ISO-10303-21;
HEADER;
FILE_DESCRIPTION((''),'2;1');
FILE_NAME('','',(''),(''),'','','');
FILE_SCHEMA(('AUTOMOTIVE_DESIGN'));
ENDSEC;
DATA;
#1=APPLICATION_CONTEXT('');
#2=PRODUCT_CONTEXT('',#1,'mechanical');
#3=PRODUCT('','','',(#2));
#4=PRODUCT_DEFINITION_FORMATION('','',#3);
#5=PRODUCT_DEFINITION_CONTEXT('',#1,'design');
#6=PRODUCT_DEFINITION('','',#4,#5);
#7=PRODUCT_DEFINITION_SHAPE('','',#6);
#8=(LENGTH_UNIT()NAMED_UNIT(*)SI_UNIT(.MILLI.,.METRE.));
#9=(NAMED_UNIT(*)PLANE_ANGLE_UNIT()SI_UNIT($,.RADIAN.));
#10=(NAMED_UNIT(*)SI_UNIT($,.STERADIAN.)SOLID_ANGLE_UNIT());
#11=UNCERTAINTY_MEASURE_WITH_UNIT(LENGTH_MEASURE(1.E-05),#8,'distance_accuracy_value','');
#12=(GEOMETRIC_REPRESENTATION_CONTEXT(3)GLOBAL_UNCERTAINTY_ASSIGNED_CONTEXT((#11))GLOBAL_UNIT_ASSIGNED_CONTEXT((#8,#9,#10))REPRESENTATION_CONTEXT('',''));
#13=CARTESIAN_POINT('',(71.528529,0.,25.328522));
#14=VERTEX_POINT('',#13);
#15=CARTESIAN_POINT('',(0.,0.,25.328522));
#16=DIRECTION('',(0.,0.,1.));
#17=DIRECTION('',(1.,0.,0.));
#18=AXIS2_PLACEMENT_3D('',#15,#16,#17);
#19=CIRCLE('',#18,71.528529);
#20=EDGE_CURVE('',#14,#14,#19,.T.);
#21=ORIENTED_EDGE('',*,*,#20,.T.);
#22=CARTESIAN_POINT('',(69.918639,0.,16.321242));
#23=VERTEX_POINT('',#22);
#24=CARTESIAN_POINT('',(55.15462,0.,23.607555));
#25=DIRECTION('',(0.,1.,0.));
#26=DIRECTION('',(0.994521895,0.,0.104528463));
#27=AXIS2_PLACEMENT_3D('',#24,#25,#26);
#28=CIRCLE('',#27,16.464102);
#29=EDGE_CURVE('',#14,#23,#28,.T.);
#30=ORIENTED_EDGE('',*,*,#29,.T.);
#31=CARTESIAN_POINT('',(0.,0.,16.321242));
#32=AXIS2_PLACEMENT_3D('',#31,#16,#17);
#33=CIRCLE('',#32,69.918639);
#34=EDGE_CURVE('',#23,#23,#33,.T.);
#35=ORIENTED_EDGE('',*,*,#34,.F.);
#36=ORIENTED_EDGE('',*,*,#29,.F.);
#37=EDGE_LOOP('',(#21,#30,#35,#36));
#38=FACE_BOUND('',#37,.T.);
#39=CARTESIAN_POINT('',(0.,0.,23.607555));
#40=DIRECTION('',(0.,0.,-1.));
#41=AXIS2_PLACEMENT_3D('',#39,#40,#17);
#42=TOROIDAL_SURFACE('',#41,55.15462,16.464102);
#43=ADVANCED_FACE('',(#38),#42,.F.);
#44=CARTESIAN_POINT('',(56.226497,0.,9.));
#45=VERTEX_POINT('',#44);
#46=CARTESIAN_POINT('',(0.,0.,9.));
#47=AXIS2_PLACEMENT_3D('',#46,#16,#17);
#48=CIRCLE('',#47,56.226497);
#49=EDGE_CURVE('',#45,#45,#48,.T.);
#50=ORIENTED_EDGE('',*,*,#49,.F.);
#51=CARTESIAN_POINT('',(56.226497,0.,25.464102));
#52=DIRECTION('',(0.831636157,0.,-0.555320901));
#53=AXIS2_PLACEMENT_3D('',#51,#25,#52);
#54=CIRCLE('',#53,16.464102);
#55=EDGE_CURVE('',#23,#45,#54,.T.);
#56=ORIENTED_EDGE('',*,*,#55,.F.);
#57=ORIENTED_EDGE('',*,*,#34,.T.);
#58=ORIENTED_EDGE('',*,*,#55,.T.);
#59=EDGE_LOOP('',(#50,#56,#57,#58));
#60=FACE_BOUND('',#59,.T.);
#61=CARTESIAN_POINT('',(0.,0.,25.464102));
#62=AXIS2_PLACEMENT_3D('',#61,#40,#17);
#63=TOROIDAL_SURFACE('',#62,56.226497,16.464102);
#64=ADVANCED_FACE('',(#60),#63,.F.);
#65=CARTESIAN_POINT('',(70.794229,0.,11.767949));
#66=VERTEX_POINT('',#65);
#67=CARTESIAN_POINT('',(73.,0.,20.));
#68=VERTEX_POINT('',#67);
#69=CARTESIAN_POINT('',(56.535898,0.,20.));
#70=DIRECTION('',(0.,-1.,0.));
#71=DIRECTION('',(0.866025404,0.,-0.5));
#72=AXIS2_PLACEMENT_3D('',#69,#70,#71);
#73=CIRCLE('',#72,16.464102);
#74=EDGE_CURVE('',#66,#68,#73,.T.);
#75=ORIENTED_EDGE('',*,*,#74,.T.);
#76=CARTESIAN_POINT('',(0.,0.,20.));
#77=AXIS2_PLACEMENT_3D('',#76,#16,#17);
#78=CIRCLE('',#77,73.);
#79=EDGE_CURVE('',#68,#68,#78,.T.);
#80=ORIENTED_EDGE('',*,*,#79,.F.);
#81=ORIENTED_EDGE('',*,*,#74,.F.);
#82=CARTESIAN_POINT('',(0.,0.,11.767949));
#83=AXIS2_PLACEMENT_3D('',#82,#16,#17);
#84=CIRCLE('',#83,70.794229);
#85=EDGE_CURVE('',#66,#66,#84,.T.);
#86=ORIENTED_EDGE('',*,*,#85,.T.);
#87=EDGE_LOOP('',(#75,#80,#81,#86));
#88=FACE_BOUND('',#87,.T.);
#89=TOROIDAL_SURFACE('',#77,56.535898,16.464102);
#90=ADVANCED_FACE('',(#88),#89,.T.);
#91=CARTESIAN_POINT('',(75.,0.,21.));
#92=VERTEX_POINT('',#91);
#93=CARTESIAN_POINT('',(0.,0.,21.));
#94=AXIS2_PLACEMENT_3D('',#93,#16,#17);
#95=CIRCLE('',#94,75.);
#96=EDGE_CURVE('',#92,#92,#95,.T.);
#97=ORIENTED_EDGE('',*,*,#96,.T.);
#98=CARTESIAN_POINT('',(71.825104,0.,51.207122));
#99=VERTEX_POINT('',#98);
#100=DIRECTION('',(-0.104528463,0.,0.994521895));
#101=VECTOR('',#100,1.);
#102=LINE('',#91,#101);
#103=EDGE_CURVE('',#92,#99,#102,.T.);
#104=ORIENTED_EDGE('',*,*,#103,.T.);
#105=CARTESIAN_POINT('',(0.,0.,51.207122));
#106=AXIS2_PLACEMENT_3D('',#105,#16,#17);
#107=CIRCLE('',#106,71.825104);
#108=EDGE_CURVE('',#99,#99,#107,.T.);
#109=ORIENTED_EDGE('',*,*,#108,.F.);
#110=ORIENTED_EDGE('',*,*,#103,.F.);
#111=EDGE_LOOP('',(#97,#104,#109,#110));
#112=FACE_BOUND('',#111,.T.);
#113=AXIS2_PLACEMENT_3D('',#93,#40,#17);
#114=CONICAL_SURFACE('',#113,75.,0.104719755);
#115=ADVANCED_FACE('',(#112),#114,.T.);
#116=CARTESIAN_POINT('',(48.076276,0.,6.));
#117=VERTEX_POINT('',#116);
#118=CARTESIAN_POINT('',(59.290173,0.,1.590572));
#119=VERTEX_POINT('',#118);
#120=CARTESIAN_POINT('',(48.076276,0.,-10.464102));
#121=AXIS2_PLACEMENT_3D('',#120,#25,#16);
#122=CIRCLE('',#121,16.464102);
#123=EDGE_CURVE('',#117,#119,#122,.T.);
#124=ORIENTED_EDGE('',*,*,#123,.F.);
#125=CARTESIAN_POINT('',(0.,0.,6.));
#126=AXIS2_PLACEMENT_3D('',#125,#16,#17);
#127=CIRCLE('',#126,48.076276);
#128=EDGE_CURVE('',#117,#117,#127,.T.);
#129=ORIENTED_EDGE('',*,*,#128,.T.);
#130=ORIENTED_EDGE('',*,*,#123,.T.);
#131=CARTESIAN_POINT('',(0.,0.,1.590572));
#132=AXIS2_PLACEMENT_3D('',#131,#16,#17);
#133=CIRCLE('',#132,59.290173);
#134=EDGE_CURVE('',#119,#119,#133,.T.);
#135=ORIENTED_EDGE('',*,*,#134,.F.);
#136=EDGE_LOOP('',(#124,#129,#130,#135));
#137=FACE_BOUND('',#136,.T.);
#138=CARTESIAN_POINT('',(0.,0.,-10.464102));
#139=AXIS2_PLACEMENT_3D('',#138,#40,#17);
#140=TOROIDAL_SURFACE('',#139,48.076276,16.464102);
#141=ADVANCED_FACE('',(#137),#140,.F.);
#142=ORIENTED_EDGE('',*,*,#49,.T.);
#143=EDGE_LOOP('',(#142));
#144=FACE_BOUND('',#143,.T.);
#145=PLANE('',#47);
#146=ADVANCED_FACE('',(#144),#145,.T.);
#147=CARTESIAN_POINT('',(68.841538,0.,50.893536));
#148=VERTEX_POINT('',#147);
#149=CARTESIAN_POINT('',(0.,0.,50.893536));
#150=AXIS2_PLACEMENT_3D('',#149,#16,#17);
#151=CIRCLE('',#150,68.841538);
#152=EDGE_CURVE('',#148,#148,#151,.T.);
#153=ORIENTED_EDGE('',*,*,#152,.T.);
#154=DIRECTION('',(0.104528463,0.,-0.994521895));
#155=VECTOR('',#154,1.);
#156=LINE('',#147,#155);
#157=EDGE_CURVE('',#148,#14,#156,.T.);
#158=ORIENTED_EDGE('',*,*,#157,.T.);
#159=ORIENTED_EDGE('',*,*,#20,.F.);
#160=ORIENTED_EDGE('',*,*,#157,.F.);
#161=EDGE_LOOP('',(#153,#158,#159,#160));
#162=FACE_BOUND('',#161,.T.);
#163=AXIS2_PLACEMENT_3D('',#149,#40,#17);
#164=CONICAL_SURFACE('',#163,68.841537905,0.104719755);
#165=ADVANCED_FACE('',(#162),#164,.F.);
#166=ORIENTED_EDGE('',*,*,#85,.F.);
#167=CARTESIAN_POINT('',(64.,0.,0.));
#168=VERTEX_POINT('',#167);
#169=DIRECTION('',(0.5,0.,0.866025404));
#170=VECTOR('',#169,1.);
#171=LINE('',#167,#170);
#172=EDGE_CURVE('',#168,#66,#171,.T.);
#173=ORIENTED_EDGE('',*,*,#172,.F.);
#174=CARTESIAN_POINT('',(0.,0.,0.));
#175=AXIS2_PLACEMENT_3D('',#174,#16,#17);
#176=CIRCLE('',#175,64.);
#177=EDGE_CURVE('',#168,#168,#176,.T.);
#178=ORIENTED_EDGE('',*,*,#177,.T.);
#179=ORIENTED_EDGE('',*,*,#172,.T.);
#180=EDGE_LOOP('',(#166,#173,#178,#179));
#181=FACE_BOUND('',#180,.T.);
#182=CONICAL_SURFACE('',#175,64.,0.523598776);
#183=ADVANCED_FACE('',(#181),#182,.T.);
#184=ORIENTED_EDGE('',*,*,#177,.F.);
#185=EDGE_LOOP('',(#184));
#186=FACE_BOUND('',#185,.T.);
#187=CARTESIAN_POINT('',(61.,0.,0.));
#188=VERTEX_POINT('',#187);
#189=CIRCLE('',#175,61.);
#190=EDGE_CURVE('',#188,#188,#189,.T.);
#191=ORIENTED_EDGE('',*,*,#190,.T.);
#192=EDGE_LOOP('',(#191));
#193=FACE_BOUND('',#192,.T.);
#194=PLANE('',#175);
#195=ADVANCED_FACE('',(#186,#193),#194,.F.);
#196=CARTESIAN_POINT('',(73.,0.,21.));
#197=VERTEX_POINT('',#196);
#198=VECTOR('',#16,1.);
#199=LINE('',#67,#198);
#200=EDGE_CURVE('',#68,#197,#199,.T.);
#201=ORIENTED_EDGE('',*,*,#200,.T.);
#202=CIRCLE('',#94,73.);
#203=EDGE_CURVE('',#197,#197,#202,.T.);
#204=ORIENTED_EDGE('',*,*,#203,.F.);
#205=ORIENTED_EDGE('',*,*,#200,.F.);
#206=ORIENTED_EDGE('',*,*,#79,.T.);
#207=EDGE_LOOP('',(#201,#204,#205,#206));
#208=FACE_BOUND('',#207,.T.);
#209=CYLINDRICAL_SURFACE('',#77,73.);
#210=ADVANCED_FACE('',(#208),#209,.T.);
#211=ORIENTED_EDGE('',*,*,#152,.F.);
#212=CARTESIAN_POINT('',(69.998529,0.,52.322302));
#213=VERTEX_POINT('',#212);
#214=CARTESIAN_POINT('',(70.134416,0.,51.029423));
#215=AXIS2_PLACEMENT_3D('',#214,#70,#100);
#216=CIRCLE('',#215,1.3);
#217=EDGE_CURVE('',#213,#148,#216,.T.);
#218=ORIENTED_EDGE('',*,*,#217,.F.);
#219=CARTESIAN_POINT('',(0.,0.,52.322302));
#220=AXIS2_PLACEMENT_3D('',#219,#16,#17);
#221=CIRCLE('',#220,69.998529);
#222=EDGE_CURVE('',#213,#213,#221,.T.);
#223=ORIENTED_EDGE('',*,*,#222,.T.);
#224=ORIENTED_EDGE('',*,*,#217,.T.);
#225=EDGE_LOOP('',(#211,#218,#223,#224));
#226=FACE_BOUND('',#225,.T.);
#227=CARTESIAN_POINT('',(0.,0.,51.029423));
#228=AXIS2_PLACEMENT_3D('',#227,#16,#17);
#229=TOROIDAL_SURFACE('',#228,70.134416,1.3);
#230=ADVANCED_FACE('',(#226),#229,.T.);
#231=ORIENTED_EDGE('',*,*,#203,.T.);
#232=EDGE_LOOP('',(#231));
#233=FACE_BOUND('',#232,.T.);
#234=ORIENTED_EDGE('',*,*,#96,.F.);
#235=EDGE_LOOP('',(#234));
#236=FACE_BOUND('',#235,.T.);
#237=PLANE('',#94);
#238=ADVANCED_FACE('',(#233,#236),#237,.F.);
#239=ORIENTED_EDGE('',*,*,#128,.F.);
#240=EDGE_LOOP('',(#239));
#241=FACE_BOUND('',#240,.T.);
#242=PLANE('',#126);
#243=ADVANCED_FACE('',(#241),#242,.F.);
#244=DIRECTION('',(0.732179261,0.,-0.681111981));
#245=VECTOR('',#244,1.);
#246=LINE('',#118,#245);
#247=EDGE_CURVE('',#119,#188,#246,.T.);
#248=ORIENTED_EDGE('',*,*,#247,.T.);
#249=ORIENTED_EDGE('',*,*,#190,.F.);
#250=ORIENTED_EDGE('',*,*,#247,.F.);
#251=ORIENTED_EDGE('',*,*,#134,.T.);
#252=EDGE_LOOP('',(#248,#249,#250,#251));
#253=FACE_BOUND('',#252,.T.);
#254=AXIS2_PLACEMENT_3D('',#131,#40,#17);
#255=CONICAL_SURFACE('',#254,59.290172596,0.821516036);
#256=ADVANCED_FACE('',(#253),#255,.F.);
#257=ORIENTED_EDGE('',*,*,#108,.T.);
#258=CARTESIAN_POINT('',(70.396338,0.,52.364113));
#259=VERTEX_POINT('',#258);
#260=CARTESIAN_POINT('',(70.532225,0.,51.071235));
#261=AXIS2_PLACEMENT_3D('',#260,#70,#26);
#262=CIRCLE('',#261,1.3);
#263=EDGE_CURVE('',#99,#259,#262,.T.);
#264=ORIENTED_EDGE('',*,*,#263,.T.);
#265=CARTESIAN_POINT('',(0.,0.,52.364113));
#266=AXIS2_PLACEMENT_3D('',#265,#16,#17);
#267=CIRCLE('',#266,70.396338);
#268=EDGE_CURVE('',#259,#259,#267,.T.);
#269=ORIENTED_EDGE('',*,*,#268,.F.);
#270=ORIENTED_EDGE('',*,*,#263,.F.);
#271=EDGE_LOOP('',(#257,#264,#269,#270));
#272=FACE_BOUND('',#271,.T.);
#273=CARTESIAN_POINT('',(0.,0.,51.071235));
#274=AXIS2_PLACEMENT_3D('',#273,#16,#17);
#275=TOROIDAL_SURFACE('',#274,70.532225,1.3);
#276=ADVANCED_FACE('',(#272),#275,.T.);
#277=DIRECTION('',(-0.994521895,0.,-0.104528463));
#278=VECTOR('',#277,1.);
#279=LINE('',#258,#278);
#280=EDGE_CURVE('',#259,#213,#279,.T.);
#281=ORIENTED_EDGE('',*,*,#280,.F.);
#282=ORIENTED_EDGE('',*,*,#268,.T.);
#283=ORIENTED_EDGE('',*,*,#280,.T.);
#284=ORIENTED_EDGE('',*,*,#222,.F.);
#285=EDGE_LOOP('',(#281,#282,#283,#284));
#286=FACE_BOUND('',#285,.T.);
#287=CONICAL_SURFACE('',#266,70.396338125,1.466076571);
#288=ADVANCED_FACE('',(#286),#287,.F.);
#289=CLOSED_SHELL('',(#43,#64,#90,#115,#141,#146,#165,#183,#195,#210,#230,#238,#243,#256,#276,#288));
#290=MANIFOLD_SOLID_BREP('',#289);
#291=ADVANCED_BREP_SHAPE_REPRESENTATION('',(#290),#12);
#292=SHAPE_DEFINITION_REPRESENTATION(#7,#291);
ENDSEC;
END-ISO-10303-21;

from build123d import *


with BuildPart() as f1:
    # F0 (on Front) → F1 (revolve)
    with BuildSketch(Plane.XZ):
        with BuildLine():
            Line((0, 9), (0, 6))
            Line((0, 6), (48.0762757361, 6))
            ThreePointArc((48.0762757361, 6), (54.1011105238, 4.8580394811), (59.2901725958, 1.5905721347))
            Line((59.2901725958, 1.5905721347), (61, 0))
            Line((61, 0), (64, 0))
            Line((64, 0), (70.7942286341, 11.7679491924))
            ThreePointArc((70.7942286341, 11.7679491924), (72.4389993416, 15.7387769415), (73, 20))
            Line((73, 20), (73, 21))
            Line((73, 21), (75, 21))
            Line((75, 21), (71.8251035914, 51.207121536))
            ThreePointArc((71.8251035914, 51.207121536), (71.3503416358, 52.0815242837), (70.3963381252, 52.3641129978))
            Line((70.3963381252, 52.3641129978), (69.998529367, 52.3223016124))
            ThreePointArc((69.998529367, 52.3223016124), (69.1241266194, 51.8475396568), (68.8415379053, 50.8935361462))
            Line((68.8415379053, 50.8935361462), (71.5285291448, 25.3285222078))
            ThreePointArc((71.5285291448, 25.3285222078), (71.3618845524, 20.7107973329), (69.9186394963, 16.3212418715))
            ThreePointArc((69.9186394963, 16.3212418715), (63.9897978344, 10.9452240093), (56.2264973081, 9))
            Line((56.2264973081, 9), (0, 9))
        make_face()
        with BuildLine():
            ThreePointArc((69.4129498502, 15.3755041594), (69.6734972068, 15.8442544407), (69.9186394963, 16.3212418715))
            ThreePointArc((69.9186394963, 16.3212418715), (70.209151584, 16.7720350372), (70.4848275573, 17.2320508076))
            Line((70.4848275573, 17.2320508076), (69.4129498502, 15.3755041594))
        make_face(mode=Mode.SUBTRACT)
        with BuildLine():
            ThreePointArc((70.4848275573, 17.2320508076), (70.209151584, 16.7720350372), (69.9186394963, 16.3212418715))
            ThreePointArc((69.9186394963, 16.3212418715), (69.6734972068, 15.8442544407), (69.4129498502, 15.3755041594))
            Line((69.4129498502, 15.3755041594), (70.4848275573, 17.2320508076))
        make_face()
    revolve(axis=Axis((0, 0, 25.603560768), (0, 0, 1)))


solid = f1.part
